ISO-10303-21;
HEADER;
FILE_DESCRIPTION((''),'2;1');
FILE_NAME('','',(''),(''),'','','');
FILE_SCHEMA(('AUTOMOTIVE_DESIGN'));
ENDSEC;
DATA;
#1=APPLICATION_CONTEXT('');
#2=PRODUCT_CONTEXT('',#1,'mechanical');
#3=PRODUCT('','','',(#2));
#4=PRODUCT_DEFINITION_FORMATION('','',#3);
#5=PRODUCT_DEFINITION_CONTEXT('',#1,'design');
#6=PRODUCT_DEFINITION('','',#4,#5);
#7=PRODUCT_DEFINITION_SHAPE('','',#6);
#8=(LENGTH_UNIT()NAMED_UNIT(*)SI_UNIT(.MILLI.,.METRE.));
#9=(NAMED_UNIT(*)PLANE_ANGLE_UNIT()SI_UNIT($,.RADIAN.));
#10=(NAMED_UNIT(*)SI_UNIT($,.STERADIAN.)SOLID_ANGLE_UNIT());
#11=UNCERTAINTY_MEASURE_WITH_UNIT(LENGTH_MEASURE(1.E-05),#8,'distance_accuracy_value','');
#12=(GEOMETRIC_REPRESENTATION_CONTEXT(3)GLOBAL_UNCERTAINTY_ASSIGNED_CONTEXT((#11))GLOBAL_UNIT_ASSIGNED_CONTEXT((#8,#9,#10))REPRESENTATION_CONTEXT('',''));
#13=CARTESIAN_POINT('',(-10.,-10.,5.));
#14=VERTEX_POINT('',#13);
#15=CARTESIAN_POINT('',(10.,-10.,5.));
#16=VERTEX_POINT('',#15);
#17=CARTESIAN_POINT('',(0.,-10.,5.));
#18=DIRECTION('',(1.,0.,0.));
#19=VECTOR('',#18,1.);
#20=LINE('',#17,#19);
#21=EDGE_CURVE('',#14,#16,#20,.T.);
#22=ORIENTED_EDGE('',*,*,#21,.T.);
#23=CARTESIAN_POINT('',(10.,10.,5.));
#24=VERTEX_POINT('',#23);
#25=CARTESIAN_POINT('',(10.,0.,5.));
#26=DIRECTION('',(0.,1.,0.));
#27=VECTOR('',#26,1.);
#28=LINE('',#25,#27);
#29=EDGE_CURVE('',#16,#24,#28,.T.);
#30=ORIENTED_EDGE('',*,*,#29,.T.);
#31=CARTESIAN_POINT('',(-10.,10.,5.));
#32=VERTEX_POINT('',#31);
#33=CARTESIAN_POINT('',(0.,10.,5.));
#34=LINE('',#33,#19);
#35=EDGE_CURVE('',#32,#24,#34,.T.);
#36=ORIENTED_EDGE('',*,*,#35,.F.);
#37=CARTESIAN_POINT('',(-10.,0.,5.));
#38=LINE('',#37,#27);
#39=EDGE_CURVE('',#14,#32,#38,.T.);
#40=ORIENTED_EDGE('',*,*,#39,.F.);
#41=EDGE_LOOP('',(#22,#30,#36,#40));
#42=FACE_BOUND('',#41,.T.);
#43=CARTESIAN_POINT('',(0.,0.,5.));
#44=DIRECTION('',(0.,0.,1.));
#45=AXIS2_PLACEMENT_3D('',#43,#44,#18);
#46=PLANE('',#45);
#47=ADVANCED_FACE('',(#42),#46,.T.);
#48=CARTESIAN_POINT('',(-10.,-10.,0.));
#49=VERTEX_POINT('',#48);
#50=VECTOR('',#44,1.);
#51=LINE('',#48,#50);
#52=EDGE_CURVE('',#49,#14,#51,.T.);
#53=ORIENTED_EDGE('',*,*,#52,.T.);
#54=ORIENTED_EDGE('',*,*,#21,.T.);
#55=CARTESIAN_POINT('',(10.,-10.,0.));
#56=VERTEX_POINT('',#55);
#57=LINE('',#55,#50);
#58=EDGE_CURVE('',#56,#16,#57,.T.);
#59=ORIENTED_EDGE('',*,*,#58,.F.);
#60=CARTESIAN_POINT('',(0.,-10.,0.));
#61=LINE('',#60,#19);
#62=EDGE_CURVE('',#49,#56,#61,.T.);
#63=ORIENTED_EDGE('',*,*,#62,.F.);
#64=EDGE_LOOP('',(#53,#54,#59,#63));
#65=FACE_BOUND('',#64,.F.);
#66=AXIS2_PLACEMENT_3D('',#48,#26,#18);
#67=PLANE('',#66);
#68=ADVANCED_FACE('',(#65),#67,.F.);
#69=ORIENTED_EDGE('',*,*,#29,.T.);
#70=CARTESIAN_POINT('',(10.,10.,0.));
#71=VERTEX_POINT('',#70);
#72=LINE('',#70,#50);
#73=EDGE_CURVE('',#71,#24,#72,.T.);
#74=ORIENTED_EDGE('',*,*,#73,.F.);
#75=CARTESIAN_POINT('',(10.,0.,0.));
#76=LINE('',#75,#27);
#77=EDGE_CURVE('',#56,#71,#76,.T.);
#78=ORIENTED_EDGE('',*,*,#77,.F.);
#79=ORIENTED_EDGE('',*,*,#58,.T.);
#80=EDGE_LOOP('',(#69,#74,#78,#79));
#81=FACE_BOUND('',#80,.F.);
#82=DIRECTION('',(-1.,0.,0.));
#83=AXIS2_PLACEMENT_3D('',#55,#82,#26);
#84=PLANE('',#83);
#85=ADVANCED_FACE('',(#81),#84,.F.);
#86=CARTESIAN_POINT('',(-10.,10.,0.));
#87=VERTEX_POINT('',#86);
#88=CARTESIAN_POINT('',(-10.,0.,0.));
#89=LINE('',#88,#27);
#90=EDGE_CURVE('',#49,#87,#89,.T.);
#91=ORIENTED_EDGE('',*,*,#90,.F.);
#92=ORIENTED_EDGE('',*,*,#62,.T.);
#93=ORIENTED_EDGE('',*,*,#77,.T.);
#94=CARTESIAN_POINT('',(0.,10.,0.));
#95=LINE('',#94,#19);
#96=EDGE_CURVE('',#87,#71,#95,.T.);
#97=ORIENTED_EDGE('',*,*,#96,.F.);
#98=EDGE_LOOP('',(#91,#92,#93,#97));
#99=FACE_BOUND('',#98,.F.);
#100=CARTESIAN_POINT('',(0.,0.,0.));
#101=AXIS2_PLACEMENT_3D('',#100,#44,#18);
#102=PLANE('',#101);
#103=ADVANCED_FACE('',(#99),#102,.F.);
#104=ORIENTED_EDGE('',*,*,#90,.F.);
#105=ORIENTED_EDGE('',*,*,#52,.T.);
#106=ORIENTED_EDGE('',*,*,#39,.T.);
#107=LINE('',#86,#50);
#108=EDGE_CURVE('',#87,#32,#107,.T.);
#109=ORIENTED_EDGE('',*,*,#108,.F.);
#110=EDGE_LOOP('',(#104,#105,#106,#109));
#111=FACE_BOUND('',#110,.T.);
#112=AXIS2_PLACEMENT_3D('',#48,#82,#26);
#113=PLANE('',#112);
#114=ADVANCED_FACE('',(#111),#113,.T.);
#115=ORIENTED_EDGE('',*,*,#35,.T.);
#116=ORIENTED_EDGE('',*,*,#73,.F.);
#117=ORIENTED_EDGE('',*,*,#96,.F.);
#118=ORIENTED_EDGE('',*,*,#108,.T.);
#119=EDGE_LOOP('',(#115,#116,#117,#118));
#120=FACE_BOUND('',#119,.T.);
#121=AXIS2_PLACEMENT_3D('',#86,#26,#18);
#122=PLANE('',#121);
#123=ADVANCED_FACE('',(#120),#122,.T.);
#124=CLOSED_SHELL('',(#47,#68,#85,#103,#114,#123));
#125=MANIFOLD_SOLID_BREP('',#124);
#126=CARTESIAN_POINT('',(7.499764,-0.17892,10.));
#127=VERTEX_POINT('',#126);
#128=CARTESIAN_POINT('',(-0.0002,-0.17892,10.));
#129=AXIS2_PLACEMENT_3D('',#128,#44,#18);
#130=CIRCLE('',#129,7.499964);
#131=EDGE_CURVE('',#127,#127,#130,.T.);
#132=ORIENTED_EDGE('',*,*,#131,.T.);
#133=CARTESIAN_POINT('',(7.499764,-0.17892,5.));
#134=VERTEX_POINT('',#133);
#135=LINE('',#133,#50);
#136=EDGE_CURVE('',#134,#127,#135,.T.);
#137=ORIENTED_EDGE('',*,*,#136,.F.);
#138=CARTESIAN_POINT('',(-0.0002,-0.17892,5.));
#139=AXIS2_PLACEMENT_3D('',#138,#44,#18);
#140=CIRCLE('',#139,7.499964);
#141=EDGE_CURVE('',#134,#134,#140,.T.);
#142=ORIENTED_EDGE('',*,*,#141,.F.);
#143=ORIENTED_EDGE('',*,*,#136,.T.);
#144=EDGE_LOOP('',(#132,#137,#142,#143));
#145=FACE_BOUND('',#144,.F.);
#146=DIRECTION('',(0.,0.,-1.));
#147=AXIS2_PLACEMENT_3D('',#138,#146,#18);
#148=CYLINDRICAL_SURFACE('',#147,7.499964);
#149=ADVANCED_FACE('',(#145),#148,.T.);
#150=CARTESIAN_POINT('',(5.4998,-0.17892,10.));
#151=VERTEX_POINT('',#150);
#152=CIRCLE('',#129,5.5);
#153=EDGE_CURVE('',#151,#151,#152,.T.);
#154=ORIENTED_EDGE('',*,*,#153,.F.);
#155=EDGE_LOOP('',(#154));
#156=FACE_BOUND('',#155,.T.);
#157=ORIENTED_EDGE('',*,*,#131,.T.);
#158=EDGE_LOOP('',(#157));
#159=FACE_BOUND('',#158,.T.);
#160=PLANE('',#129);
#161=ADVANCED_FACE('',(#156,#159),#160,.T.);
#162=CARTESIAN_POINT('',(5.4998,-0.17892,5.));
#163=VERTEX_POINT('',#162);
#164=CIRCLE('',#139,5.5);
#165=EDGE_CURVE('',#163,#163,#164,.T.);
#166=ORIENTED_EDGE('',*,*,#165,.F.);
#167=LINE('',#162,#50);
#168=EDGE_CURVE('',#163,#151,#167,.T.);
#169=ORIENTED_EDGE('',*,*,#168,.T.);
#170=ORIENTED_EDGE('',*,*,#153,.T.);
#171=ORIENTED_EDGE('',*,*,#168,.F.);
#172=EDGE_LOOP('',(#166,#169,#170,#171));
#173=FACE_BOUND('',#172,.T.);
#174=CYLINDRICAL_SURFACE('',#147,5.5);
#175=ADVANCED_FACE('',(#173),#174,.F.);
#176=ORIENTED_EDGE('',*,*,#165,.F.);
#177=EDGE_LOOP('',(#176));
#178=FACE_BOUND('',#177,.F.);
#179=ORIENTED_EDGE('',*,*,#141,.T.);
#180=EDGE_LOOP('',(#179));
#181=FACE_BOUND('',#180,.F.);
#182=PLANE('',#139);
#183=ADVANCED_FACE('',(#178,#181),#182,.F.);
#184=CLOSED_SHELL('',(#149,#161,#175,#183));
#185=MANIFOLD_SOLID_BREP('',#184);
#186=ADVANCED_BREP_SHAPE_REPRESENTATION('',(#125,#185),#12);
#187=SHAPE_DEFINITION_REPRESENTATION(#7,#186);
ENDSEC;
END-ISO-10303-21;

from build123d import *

# Parameters (mm, degrees)
SKETCH_W      = 20
SKETCH_H      = 20
PAD_DEPTH     = 5
SKETCH002_R   = 7.499964
SKETCH002_R_2 = 5.5
PAD001_DEPTH  = 5


with BuildPart() as body:
    # Sketch → Pad (new body)
    with BuildSketch(Plane.XY):
        Rectangle(SKETCH_W, SKETCH_H)
    extrude(amount=PAD_DEPTH)


with BuildPart() as body001:
    # Sketch002 → Pad001 (new body)
    with BuildSketch(Plane.XY.offset(5)):
        with Locations((-0.0002, -0.17892)):
            Circle(SKETCH002_R)
        with Locations((-0.0002, -0.17892)):
            Circle(SKETCH002_R_2, mode=Mode.SUBTRACT)
    extrude(amount=PAD001_DEPTH)


solid = Compound([body.part, body001.part])
